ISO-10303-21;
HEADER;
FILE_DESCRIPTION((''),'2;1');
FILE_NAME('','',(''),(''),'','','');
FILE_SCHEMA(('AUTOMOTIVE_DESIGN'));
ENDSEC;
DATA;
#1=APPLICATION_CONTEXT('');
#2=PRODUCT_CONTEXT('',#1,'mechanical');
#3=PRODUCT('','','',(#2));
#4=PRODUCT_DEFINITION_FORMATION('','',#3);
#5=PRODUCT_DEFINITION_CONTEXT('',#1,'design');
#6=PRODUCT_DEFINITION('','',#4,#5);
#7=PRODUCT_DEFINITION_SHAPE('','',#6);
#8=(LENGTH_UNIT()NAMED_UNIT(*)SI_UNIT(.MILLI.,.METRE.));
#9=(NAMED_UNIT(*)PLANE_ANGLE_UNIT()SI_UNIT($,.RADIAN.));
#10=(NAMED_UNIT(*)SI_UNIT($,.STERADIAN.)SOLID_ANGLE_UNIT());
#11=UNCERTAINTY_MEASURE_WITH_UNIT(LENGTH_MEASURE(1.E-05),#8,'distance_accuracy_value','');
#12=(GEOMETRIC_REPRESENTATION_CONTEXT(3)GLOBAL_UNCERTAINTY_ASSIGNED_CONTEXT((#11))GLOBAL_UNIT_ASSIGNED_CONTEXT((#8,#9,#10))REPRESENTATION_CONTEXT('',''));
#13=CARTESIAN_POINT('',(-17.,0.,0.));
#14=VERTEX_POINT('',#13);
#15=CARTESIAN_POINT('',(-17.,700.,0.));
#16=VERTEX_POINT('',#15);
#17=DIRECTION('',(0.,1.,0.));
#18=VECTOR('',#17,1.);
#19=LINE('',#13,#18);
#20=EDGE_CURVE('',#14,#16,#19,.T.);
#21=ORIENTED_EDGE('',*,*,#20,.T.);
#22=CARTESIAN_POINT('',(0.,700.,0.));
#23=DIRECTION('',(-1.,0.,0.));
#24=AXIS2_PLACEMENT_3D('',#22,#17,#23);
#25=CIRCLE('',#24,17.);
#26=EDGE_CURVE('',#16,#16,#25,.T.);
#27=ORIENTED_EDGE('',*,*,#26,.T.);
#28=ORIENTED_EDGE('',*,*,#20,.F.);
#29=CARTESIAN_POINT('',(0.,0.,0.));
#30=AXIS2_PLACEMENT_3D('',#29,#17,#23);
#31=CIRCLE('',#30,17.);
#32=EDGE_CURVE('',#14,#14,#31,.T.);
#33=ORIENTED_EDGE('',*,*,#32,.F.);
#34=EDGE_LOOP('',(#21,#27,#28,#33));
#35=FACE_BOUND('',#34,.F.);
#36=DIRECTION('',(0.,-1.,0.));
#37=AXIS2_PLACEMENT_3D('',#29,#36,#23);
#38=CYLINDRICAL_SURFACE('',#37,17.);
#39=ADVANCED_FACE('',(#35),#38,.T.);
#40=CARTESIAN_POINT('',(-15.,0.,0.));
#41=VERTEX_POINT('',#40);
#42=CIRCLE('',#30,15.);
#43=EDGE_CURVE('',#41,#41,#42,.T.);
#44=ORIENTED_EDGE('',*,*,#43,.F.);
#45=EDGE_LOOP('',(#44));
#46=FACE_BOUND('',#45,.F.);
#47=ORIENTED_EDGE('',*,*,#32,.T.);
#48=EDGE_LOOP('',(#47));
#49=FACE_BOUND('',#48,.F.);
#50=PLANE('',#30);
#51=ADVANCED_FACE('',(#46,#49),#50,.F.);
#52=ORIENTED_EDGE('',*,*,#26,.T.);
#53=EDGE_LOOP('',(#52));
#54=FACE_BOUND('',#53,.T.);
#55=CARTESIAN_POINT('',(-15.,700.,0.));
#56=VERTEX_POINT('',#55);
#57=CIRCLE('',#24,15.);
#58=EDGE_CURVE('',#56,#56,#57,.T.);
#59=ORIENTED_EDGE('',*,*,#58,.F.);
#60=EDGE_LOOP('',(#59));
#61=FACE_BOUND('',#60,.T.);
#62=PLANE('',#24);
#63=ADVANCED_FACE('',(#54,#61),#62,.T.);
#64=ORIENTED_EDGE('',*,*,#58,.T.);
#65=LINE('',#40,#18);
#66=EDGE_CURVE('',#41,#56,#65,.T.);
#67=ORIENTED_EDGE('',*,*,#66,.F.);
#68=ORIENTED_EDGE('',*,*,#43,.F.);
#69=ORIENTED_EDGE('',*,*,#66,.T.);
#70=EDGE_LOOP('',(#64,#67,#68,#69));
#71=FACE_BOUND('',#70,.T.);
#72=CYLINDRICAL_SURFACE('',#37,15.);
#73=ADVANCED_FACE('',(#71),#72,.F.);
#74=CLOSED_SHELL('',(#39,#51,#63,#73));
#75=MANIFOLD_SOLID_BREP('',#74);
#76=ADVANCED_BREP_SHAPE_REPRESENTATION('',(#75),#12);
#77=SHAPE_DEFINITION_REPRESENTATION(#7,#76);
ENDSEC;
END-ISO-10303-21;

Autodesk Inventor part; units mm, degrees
ref_plane "YZ Plane" through (0, 0, 0) normal (1, 0, 0) x (0, 1, 0)
ref_plane "XZ Plane" through (0, 0, 0) normal (0, 1, 0) x (-1, 0, 0)
ref_plane "XY Plane" through (0, 0, 0) normal (0, 0, 1) x (1, 0, 0)
sketch "Sketch1" plane through (0, 0, 0) normal (0, 1, 0) x (-1, 0, 0)
  circle A0 centre (0, 0) radius 15
  circle A1 centre (0, 0) radius 17
  dimension "d0" = 34
  dimension "d1" = 2
extrude "Extrusion1" add sketch "Sketch1" along normal blind 700
properties part number "OringProbe_34_pipe" material "Stainless Steel, 440C"
